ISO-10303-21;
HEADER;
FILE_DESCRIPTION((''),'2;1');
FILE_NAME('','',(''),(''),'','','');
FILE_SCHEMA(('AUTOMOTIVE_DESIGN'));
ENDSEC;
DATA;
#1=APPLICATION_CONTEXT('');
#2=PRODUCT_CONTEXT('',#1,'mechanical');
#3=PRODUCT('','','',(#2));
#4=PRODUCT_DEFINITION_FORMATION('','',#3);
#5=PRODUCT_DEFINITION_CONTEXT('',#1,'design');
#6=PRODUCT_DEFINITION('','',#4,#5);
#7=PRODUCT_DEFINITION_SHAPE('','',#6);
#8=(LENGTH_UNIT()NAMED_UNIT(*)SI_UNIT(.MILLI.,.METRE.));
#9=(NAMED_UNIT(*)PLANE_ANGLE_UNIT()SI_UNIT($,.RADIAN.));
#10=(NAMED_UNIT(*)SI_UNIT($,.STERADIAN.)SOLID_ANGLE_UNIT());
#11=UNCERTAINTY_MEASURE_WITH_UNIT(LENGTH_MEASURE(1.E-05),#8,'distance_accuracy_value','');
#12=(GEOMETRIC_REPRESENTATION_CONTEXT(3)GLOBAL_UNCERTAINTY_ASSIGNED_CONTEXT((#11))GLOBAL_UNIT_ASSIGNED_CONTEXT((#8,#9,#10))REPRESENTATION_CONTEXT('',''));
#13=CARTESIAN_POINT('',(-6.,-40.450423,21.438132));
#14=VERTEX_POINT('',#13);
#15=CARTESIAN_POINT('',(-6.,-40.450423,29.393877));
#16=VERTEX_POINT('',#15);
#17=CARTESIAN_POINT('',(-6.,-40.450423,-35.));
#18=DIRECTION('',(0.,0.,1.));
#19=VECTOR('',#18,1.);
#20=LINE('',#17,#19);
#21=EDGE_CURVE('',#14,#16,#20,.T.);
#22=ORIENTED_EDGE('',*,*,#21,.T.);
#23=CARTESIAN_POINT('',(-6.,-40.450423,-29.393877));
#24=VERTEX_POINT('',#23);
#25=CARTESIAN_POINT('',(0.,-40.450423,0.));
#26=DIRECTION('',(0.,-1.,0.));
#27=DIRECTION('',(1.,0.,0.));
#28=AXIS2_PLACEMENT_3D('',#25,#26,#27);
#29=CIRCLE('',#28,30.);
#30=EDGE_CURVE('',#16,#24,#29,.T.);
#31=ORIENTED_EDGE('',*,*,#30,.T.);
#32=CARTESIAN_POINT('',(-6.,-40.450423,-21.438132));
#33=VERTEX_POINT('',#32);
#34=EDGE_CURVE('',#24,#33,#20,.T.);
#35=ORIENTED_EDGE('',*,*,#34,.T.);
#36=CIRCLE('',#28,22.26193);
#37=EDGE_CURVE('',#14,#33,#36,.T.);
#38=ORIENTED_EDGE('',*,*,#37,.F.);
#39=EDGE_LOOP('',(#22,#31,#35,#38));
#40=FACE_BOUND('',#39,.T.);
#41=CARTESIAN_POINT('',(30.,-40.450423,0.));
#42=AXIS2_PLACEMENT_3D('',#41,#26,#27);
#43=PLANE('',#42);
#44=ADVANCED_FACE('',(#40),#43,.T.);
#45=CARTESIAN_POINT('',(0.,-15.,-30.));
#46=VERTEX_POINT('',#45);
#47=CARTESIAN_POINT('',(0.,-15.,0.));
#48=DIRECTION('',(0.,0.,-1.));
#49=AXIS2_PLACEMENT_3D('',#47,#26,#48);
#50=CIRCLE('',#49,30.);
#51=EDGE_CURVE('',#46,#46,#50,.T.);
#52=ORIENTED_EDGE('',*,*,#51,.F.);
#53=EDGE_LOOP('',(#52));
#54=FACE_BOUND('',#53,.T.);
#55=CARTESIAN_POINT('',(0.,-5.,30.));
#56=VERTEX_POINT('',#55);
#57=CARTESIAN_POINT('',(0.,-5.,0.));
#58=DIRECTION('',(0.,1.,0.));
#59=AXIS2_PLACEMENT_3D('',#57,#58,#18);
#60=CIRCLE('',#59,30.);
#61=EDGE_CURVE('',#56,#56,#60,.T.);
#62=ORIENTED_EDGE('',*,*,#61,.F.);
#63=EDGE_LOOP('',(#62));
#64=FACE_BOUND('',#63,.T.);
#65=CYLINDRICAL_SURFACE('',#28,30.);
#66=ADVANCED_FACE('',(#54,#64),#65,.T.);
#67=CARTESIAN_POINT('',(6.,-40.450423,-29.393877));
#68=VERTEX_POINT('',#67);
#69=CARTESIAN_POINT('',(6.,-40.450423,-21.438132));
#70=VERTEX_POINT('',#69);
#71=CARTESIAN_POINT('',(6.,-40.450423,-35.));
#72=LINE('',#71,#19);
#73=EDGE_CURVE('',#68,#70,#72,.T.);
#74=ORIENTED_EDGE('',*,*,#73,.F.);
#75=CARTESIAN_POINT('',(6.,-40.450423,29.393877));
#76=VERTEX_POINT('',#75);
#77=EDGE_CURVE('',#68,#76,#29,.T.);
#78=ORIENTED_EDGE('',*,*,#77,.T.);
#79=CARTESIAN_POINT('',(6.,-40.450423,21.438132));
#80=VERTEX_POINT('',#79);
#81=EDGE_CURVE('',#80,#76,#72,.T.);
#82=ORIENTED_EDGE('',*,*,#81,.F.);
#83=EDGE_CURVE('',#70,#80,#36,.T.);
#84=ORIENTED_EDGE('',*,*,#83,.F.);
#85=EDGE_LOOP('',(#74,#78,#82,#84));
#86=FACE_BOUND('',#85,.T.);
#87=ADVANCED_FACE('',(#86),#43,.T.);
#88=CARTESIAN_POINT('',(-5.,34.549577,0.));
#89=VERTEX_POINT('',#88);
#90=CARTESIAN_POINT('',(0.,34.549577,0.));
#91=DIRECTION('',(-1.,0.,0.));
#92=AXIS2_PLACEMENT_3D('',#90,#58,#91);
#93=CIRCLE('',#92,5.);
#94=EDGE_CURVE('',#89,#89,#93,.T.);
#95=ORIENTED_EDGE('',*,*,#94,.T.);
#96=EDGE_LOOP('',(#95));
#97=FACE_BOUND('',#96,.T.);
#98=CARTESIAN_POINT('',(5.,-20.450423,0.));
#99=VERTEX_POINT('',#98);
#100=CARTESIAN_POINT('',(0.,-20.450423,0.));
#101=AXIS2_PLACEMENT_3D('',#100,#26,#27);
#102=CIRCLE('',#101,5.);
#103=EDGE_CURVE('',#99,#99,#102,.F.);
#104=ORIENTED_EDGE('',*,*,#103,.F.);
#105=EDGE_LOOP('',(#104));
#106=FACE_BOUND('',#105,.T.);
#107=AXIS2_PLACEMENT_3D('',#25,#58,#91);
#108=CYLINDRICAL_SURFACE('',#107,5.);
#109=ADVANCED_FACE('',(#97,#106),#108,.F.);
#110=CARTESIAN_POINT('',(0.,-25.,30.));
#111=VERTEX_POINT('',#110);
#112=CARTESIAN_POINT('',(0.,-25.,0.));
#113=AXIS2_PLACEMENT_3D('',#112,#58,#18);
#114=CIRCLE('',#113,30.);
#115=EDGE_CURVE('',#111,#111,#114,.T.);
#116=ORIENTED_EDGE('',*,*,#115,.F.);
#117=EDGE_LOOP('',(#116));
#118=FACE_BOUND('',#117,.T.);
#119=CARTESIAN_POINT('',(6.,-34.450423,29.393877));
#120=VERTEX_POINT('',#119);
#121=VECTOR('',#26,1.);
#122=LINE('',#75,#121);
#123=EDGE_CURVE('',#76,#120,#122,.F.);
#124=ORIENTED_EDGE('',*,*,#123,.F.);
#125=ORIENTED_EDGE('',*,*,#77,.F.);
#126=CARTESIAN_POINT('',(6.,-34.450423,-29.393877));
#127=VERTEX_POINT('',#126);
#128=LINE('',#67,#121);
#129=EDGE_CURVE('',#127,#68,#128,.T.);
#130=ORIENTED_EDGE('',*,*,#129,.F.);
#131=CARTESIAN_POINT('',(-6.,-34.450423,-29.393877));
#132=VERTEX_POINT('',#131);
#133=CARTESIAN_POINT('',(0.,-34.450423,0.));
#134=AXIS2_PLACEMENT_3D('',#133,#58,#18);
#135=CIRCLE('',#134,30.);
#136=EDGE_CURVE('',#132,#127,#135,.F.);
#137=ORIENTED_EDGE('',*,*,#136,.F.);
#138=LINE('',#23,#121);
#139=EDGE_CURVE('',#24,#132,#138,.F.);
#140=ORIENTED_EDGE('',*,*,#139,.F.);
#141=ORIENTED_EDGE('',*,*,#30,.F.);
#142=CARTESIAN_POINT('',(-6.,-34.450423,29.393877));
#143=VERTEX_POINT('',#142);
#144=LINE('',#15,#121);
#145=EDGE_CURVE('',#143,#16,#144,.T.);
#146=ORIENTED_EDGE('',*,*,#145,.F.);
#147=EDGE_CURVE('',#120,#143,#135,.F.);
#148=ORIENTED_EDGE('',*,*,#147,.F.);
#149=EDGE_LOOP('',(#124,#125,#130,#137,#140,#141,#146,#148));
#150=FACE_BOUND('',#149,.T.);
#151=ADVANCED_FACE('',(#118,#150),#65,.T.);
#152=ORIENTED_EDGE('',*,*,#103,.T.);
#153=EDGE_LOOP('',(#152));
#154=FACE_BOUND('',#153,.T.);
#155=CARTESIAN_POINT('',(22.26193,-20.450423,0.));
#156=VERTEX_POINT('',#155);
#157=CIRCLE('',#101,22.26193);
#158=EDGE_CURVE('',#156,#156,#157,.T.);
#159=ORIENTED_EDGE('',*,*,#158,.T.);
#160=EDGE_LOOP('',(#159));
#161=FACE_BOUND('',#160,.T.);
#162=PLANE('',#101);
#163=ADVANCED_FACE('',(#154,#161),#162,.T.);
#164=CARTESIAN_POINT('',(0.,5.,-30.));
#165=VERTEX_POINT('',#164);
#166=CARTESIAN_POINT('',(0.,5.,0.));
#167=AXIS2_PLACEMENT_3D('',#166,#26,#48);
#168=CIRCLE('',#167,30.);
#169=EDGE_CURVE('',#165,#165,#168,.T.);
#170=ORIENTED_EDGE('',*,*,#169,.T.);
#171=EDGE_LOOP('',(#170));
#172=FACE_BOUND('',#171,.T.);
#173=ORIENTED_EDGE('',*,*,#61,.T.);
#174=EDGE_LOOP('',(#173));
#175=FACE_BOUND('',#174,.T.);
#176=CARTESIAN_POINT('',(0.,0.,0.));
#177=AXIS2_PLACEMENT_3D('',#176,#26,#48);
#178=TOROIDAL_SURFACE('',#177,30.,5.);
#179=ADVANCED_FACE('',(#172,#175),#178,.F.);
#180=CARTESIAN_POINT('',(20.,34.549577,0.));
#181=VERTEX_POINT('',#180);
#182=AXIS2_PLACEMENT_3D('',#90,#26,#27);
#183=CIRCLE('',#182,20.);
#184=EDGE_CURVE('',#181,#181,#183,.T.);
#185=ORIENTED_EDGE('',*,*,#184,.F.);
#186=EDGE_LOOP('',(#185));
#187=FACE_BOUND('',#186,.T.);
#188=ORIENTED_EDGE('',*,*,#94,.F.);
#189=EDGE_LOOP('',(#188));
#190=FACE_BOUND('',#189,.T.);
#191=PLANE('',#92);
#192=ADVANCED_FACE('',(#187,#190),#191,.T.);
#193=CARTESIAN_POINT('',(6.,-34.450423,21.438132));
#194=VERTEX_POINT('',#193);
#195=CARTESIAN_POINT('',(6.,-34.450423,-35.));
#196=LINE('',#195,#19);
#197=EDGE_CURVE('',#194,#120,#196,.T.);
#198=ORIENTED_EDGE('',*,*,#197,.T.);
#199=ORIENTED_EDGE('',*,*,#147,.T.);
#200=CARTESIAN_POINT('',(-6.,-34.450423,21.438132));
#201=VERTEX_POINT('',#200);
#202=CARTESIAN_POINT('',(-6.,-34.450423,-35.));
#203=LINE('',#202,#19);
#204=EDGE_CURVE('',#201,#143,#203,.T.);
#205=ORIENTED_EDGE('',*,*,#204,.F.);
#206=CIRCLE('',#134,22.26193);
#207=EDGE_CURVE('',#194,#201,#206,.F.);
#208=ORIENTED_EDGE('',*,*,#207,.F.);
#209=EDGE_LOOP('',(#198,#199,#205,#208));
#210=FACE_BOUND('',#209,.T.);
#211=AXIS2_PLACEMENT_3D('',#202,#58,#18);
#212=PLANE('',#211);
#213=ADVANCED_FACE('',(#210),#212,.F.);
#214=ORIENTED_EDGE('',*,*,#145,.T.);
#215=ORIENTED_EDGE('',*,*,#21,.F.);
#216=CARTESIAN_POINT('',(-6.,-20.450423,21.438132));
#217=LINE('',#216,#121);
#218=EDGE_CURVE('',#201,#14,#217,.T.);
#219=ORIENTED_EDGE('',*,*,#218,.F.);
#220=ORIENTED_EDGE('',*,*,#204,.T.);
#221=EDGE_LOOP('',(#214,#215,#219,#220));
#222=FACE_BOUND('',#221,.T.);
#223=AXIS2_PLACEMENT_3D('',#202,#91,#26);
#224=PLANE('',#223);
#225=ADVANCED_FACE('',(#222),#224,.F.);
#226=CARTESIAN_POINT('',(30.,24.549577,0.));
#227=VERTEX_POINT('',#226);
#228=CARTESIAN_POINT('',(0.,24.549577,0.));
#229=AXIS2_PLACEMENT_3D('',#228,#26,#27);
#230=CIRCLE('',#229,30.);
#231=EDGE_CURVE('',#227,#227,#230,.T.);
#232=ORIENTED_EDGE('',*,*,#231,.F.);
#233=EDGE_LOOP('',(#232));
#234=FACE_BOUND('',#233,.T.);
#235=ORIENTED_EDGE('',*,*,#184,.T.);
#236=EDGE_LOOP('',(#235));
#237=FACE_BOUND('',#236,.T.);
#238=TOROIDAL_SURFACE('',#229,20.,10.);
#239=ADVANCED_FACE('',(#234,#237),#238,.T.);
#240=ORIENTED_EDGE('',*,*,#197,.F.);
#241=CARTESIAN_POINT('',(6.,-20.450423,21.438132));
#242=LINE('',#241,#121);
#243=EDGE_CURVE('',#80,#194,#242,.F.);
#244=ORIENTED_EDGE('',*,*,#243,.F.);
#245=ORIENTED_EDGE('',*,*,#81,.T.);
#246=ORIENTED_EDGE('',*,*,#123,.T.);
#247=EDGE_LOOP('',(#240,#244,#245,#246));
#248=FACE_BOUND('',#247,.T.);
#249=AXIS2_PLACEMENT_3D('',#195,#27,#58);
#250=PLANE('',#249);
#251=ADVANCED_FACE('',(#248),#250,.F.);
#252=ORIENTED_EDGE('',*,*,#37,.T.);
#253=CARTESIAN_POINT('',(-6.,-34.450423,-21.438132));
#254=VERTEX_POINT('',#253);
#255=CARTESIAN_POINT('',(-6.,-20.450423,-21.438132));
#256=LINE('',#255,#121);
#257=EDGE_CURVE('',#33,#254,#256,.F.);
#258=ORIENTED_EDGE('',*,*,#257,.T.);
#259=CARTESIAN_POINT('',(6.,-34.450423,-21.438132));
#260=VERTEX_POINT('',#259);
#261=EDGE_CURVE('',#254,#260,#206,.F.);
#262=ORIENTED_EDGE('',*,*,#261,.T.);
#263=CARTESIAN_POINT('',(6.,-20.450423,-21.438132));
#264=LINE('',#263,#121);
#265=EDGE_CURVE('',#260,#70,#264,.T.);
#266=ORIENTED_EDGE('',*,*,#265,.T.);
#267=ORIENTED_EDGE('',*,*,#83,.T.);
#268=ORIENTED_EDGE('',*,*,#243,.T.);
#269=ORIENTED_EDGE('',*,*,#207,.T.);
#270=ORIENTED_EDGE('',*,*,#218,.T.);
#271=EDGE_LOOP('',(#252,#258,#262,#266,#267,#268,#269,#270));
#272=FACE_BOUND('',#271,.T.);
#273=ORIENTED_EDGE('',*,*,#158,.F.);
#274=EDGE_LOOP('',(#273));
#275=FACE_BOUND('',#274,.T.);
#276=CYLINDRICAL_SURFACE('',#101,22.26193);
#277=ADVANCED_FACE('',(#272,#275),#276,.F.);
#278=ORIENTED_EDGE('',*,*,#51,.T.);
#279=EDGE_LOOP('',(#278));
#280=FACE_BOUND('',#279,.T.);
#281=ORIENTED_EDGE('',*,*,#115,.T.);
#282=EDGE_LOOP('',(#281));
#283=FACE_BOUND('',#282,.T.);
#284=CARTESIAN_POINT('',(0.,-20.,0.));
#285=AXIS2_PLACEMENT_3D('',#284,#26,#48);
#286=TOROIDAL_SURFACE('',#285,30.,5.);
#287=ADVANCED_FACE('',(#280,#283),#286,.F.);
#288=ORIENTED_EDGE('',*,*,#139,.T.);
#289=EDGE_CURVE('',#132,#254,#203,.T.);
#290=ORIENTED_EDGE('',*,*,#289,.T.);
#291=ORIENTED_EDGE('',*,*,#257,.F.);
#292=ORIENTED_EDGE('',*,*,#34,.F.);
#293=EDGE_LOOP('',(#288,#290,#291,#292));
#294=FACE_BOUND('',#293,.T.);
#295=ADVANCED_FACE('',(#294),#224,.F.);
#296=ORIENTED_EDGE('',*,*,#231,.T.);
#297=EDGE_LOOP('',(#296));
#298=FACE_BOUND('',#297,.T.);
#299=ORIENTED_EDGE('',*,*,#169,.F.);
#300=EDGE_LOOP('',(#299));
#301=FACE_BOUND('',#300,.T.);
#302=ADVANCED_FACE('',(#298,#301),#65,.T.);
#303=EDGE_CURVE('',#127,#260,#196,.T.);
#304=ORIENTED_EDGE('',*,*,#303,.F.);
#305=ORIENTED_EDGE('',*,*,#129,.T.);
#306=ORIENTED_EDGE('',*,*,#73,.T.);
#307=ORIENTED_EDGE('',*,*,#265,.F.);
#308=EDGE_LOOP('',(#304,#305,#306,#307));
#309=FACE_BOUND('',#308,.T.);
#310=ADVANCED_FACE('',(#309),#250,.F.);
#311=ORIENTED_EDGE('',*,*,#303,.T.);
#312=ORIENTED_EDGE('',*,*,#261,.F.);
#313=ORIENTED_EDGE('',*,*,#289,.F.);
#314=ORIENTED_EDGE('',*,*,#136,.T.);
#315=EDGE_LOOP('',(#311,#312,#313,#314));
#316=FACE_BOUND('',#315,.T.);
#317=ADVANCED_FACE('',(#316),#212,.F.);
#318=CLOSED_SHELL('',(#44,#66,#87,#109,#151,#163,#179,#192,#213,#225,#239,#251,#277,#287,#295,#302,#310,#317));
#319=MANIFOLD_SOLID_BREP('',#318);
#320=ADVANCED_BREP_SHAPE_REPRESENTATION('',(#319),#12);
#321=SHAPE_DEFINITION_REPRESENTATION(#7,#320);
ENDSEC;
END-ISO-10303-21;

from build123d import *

# Parameters (mm, degrees)
SKETCH2_R          = 5
SKETCH3_R          = 5
CUT_EXTRUDE1_DEPTH = 76
SKETCH4_R          = 22.261929886
CUT_EXTRUDE2_DEPTH = 20
SKETCH5_W          = 12
SKETCH5_H          = 6
CUT_EXTRUDE3_DEPTH = 35


with BuildPart() as part:
    # Sketch1 → Revolve1 (revolve)
    with BuildSketch(Plane.XY):
        with BuildLine():
            Line((0, -40.450423349), (0, 34.549576651))
            Line((0, 34.549576651), (20, 34.549576651))
            ThreePointArc((20, 34.549576651), (27.071067812, 31.620644463), (30, 24.549576651))
            Line((30, 24.549576651), (30, -40.450423349))
            Line((30, -40.450423349), (0, -40.450423349))
        make_face()
    revolve(axis=Axis((0, -40.450423349, 0), (0, 1, 0)))

    # Sketch2 → Cut-Revolve1 (revolve, cut)
    with BuildSketch(Plane.XY):
        with Locations((30, 0)):
            Circle(SKETCH2_R)
        with Locations((30, -20)):
            Circle(SKETCH2_R)
    revolve(axis=Axis((0, -46.378397734, 0), (0, 1, 0)), mode=Mode.SUBTRACT)

    # Sketch3 → Cut-Extrude1 (cut, through all)
    with BuildSketch(Plane(origin=(0, 34.549576651, 0), x_dir=(1, 0, 0), z_dir=(0, 1, 0))):
        Circle(SKETCH3_R)
    extrude(amount=-CUT_EXTRUDE1_DEPTH, mode=Mode.SUBTRACT)

    # Sketch4 → Cut-Extrude2 (cut)
    with BuildSketch(Plane.XZ.offset(40.450423349)):
        Circle(SKETCH4_R)
    extrude(amount=-CUT_EXTRUDE2_DEPTH, mode=Mode.SUBTRACT)

    # Sketch5 → Cut-Extrude3 (cut, symmetric)
    with BuildSketch(Plane.XY):
        with Locations((0, -37.450423349)):
            Rectangle(SKETCH5_W, SKETCH5_H)
    extrude(amount=CUT_EXTRUDE3_DEPTH, both=True, mode=Mode.SUBTRACT)


solid = part.part
